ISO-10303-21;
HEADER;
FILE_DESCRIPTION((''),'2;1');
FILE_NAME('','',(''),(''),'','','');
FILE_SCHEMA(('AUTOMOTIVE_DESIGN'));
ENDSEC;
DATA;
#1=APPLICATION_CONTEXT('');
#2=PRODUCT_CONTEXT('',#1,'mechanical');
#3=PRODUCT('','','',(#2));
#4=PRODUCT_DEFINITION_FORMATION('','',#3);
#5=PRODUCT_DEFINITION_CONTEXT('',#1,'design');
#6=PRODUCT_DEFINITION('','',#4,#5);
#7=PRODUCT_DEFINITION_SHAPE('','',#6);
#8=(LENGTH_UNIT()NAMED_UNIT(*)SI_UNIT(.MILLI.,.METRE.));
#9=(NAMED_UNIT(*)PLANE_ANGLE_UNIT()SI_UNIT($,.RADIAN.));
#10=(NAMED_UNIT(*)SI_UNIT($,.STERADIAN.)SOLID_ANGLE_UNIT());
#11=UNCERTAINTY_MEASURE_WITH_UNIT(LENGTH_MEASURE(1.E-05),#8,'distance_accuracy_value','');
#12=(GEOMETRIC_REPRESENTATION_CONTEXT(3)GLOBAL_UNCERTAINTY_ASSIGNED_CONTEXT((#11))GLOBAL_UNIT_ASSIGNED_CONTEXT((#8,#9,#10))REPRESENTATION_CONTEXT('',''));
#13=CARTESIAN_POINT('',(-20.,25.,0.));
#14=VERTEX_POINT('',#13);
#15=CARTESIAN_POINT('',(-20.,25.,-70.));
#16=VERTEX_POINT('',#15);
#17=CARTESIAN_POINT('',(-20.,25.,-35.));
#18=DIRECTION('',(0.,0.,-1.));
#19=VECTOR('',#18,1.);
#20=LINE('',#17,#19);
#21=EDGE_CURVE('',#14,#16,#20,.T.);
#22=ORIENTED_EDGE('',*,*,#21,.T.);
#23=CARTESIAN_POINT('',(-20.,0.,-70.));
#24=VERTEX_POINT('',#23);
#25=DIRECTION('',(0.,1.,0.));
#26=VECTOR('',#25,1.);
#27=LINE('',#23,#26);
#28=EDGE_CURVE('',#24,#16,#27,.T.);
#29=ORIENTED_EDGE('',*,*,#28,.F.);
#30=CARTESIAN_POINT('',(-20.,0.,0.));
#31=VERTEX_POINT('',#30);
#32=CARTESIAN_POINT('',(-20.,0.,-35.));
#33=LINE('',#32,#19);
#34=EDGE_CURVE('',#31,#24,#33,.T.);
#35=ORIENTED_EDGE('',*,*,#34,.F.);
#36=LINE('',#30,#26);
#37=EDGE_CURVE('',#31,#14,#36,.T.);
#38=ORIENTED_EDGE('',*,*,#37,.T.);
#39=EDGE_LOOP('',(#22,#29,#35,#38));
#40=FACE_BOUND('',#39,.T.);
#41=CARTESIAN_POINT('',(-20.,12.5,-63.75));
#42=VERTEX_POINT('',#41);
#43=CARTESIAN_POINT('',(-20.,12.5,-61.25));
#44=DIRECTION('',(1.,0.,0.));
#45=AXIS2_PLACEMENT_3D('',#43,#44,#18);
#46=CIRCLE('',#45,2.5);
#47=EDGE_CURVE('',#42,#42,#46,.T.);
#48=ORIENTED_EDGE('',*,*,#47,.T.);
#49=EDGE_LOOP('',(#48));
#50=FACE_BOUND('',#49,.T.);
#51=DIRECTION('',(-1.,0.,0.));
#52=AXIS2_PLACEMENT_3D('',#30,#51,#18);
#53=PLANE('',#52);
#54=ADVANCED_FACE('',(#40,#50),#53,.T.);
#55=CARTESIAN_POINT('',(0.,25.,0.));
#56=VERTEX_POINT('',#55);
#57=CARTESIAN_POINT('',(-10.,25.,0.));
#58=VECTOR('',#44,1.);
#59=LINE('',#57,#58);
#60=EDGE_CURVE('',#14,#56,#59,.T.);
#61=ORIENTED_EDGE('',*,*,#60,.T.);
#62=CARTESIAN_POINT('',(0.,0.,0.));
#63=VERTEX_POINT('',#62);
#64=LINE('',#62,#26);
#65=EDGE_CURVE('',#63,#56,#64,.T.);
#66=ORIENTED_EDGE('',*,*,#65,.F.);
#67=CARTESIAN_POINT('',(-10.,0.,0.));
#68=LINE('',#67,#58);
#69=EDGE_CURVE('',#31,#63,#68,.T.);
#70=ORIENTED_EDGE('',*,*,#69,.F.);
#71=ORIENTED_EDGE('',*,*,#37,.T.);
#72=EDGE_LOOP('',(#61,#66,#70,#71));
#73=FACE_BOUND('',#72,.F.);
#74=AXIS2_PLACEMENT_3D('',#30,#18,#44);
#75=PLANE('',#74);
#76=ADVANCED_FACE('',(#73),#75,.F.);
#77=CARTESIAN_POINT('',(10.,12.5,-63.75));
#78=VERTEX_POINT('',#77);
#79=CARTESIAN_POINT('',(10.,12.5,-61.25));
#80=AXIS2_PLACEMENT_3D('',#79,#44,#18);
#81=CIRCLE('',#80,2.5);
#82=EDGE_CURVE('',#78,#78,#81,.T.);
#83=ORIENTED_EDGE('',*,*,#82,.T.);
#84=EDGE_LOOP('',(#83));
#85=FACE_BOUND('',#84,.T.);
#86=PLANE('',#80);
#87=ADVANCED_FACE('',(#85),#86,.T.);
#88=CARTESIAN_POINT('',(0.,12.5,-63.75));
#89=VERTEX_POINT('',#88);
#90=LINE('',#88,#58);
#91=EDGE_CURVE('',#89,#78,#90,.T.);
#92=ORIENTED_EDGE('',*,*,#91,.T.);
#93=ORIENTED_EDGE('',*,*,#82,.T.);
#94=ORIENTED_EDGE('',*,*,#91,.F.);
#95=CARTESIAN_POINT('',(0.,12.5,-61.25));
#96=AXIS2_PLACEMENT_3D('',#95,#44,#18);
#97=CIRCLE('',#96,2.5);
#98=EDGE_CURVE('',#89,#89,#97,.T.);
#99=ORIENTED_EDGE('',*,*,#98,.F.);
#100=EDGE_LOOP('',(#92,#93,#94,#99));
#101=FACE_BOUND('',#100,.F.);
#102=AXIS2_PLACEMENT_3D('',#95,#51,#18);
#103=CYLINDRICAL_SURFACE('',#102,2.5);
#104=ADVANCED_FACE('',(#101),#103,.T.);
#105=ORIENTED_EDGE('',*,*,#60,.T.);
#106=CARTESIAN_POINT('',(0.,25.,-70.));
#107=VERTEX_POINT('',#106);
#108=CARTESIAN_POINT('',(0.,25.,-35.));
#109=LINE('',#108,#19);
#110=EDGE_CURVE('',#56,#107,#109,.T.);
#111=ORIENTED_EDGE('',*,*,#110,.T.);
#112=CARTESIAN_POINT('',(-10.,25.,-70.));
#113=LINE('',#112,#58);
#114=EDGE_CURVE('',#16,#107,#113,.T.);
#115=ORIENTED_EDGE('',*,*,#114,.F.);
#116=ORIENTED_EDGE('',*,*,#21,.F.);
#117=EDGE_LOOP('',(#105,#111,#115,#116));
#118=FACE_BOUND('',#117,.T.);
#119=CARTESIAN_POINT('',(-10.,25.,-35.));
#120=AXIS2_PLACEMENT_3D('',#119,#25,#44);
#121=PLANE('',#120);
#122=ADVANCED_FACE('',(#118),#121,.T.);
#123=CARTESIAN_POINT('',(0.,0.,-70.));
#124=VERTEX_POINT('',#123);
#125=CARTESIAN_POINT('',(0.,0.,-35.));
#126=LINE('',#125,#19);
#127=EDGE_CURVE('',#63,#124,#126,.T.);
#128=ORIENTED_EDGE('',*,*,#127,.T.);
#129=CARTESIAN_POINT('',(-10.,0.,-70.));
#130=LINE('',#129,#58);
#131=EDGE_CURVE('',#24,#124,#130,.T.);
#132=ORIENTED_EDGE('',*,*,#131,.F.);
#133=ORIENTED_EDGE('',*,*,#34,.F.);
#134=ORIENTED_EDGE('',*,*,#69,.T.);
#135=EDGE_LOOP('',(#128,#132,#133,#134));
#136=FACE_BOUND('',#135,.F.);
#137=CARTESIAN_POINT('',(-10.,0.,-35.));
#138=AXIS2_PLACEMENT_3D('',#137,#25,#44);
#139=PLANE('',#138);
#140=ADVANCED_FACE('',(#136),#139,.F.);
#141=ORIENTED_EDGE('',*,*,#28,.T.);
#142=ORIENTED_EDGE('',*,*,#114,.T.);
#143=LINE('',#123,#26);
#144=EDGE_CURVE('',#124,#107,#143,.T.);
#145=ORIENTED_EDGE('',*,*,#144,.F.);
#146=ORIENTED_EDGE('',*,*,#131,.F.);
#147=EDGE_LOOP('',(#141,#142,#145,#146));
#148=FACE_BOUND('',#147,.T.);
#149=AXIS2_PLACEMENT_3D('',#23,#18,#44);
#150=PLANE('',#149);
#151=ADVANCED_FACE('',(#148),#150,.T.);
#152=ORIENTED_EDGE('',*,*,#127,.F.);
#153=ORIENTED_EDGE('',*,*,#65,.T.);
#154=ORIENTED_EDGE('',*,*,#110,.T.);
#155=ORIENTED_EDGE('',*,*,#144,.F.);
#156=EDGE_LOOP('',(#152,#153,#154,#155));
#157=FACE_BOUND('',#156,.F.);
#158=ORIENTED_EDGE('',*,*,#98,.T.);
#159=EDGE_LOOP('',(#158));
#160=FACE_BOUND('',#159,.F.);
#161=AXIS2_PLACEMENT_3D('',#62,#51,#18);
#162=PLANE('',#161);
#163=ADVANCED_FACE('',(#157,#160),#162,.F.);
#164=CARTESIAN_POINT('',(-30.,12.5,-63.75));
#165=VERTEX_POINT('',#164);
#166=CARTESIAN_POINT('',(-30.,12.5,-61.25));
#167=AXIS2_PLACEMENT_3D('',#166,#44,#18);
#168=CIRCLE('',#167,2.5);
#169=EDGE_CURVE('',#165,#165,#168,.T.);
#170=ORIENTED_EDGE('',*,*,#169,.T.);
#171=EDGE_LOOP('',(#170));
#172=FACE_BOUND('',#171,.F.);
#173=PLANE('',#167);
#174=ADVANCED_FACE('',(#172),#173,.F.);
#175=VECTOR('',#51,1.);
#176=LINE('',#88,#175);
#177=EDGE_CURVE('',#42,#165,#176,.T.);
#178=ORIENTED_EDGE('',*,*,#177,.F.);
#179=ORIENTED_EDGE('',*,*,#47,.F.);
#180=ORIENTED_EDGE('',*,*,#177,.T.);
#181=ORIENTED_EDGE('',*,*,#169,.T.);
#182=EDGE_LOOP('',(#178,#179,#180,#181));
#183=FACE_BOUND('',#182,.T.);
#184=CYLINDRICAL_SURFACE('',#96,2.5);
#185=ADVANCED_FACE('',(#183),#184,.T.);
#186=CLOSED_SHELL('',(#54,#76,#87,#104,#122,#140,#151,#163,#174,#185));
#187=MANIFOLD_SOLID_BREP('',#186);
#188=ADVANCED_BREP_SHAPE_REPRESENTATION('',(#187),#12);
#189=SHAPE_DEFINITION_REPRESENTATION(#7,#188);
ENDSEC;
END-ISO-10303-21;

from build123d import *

# Parameters (mm, degrees)
SKETCH_1_W             = 20
SKETCH_1_H             = 70
EXTRUDE_326_DEPTH      = 25
SKETCH_2_R             = 2.5
EXTRUDE_591_DEPTH      = 10
EXTRUDE_591_DEPTH_BACK = 30


with BuildPart() as part:
    # Эскиз1 → Extrude 326 (new body)
    with BuildSketch(Plane(origin=(0, 0, 0), x_dir=(1, 0, 0), z_dir=(0, 1, 0))):
        with Locations((-10, 35)):
            Rectangle(SKETCH_1_W, SKETCH_1_H)
    extrude(amount=EXTRUDE_326_DEPTH)

    # Эскиз2 → Extrude 591 (add, two sides)
    with BuildSketch(Plane(origin=(0, 0, 0), x_dir=(0, 0, -1), z_dir=(1, 0, 0))) as extrude_591_sk:
        with Locations((61.25, 12.5)):
            Circle(SKETCH_2_R)
    extrude(amount=EXTRUDE_591_DEPTH)
    extrude(extrude_591_sk.sketch, amount=-EXTRUDE_591_DEPTH_BACK)


solid = part.part
